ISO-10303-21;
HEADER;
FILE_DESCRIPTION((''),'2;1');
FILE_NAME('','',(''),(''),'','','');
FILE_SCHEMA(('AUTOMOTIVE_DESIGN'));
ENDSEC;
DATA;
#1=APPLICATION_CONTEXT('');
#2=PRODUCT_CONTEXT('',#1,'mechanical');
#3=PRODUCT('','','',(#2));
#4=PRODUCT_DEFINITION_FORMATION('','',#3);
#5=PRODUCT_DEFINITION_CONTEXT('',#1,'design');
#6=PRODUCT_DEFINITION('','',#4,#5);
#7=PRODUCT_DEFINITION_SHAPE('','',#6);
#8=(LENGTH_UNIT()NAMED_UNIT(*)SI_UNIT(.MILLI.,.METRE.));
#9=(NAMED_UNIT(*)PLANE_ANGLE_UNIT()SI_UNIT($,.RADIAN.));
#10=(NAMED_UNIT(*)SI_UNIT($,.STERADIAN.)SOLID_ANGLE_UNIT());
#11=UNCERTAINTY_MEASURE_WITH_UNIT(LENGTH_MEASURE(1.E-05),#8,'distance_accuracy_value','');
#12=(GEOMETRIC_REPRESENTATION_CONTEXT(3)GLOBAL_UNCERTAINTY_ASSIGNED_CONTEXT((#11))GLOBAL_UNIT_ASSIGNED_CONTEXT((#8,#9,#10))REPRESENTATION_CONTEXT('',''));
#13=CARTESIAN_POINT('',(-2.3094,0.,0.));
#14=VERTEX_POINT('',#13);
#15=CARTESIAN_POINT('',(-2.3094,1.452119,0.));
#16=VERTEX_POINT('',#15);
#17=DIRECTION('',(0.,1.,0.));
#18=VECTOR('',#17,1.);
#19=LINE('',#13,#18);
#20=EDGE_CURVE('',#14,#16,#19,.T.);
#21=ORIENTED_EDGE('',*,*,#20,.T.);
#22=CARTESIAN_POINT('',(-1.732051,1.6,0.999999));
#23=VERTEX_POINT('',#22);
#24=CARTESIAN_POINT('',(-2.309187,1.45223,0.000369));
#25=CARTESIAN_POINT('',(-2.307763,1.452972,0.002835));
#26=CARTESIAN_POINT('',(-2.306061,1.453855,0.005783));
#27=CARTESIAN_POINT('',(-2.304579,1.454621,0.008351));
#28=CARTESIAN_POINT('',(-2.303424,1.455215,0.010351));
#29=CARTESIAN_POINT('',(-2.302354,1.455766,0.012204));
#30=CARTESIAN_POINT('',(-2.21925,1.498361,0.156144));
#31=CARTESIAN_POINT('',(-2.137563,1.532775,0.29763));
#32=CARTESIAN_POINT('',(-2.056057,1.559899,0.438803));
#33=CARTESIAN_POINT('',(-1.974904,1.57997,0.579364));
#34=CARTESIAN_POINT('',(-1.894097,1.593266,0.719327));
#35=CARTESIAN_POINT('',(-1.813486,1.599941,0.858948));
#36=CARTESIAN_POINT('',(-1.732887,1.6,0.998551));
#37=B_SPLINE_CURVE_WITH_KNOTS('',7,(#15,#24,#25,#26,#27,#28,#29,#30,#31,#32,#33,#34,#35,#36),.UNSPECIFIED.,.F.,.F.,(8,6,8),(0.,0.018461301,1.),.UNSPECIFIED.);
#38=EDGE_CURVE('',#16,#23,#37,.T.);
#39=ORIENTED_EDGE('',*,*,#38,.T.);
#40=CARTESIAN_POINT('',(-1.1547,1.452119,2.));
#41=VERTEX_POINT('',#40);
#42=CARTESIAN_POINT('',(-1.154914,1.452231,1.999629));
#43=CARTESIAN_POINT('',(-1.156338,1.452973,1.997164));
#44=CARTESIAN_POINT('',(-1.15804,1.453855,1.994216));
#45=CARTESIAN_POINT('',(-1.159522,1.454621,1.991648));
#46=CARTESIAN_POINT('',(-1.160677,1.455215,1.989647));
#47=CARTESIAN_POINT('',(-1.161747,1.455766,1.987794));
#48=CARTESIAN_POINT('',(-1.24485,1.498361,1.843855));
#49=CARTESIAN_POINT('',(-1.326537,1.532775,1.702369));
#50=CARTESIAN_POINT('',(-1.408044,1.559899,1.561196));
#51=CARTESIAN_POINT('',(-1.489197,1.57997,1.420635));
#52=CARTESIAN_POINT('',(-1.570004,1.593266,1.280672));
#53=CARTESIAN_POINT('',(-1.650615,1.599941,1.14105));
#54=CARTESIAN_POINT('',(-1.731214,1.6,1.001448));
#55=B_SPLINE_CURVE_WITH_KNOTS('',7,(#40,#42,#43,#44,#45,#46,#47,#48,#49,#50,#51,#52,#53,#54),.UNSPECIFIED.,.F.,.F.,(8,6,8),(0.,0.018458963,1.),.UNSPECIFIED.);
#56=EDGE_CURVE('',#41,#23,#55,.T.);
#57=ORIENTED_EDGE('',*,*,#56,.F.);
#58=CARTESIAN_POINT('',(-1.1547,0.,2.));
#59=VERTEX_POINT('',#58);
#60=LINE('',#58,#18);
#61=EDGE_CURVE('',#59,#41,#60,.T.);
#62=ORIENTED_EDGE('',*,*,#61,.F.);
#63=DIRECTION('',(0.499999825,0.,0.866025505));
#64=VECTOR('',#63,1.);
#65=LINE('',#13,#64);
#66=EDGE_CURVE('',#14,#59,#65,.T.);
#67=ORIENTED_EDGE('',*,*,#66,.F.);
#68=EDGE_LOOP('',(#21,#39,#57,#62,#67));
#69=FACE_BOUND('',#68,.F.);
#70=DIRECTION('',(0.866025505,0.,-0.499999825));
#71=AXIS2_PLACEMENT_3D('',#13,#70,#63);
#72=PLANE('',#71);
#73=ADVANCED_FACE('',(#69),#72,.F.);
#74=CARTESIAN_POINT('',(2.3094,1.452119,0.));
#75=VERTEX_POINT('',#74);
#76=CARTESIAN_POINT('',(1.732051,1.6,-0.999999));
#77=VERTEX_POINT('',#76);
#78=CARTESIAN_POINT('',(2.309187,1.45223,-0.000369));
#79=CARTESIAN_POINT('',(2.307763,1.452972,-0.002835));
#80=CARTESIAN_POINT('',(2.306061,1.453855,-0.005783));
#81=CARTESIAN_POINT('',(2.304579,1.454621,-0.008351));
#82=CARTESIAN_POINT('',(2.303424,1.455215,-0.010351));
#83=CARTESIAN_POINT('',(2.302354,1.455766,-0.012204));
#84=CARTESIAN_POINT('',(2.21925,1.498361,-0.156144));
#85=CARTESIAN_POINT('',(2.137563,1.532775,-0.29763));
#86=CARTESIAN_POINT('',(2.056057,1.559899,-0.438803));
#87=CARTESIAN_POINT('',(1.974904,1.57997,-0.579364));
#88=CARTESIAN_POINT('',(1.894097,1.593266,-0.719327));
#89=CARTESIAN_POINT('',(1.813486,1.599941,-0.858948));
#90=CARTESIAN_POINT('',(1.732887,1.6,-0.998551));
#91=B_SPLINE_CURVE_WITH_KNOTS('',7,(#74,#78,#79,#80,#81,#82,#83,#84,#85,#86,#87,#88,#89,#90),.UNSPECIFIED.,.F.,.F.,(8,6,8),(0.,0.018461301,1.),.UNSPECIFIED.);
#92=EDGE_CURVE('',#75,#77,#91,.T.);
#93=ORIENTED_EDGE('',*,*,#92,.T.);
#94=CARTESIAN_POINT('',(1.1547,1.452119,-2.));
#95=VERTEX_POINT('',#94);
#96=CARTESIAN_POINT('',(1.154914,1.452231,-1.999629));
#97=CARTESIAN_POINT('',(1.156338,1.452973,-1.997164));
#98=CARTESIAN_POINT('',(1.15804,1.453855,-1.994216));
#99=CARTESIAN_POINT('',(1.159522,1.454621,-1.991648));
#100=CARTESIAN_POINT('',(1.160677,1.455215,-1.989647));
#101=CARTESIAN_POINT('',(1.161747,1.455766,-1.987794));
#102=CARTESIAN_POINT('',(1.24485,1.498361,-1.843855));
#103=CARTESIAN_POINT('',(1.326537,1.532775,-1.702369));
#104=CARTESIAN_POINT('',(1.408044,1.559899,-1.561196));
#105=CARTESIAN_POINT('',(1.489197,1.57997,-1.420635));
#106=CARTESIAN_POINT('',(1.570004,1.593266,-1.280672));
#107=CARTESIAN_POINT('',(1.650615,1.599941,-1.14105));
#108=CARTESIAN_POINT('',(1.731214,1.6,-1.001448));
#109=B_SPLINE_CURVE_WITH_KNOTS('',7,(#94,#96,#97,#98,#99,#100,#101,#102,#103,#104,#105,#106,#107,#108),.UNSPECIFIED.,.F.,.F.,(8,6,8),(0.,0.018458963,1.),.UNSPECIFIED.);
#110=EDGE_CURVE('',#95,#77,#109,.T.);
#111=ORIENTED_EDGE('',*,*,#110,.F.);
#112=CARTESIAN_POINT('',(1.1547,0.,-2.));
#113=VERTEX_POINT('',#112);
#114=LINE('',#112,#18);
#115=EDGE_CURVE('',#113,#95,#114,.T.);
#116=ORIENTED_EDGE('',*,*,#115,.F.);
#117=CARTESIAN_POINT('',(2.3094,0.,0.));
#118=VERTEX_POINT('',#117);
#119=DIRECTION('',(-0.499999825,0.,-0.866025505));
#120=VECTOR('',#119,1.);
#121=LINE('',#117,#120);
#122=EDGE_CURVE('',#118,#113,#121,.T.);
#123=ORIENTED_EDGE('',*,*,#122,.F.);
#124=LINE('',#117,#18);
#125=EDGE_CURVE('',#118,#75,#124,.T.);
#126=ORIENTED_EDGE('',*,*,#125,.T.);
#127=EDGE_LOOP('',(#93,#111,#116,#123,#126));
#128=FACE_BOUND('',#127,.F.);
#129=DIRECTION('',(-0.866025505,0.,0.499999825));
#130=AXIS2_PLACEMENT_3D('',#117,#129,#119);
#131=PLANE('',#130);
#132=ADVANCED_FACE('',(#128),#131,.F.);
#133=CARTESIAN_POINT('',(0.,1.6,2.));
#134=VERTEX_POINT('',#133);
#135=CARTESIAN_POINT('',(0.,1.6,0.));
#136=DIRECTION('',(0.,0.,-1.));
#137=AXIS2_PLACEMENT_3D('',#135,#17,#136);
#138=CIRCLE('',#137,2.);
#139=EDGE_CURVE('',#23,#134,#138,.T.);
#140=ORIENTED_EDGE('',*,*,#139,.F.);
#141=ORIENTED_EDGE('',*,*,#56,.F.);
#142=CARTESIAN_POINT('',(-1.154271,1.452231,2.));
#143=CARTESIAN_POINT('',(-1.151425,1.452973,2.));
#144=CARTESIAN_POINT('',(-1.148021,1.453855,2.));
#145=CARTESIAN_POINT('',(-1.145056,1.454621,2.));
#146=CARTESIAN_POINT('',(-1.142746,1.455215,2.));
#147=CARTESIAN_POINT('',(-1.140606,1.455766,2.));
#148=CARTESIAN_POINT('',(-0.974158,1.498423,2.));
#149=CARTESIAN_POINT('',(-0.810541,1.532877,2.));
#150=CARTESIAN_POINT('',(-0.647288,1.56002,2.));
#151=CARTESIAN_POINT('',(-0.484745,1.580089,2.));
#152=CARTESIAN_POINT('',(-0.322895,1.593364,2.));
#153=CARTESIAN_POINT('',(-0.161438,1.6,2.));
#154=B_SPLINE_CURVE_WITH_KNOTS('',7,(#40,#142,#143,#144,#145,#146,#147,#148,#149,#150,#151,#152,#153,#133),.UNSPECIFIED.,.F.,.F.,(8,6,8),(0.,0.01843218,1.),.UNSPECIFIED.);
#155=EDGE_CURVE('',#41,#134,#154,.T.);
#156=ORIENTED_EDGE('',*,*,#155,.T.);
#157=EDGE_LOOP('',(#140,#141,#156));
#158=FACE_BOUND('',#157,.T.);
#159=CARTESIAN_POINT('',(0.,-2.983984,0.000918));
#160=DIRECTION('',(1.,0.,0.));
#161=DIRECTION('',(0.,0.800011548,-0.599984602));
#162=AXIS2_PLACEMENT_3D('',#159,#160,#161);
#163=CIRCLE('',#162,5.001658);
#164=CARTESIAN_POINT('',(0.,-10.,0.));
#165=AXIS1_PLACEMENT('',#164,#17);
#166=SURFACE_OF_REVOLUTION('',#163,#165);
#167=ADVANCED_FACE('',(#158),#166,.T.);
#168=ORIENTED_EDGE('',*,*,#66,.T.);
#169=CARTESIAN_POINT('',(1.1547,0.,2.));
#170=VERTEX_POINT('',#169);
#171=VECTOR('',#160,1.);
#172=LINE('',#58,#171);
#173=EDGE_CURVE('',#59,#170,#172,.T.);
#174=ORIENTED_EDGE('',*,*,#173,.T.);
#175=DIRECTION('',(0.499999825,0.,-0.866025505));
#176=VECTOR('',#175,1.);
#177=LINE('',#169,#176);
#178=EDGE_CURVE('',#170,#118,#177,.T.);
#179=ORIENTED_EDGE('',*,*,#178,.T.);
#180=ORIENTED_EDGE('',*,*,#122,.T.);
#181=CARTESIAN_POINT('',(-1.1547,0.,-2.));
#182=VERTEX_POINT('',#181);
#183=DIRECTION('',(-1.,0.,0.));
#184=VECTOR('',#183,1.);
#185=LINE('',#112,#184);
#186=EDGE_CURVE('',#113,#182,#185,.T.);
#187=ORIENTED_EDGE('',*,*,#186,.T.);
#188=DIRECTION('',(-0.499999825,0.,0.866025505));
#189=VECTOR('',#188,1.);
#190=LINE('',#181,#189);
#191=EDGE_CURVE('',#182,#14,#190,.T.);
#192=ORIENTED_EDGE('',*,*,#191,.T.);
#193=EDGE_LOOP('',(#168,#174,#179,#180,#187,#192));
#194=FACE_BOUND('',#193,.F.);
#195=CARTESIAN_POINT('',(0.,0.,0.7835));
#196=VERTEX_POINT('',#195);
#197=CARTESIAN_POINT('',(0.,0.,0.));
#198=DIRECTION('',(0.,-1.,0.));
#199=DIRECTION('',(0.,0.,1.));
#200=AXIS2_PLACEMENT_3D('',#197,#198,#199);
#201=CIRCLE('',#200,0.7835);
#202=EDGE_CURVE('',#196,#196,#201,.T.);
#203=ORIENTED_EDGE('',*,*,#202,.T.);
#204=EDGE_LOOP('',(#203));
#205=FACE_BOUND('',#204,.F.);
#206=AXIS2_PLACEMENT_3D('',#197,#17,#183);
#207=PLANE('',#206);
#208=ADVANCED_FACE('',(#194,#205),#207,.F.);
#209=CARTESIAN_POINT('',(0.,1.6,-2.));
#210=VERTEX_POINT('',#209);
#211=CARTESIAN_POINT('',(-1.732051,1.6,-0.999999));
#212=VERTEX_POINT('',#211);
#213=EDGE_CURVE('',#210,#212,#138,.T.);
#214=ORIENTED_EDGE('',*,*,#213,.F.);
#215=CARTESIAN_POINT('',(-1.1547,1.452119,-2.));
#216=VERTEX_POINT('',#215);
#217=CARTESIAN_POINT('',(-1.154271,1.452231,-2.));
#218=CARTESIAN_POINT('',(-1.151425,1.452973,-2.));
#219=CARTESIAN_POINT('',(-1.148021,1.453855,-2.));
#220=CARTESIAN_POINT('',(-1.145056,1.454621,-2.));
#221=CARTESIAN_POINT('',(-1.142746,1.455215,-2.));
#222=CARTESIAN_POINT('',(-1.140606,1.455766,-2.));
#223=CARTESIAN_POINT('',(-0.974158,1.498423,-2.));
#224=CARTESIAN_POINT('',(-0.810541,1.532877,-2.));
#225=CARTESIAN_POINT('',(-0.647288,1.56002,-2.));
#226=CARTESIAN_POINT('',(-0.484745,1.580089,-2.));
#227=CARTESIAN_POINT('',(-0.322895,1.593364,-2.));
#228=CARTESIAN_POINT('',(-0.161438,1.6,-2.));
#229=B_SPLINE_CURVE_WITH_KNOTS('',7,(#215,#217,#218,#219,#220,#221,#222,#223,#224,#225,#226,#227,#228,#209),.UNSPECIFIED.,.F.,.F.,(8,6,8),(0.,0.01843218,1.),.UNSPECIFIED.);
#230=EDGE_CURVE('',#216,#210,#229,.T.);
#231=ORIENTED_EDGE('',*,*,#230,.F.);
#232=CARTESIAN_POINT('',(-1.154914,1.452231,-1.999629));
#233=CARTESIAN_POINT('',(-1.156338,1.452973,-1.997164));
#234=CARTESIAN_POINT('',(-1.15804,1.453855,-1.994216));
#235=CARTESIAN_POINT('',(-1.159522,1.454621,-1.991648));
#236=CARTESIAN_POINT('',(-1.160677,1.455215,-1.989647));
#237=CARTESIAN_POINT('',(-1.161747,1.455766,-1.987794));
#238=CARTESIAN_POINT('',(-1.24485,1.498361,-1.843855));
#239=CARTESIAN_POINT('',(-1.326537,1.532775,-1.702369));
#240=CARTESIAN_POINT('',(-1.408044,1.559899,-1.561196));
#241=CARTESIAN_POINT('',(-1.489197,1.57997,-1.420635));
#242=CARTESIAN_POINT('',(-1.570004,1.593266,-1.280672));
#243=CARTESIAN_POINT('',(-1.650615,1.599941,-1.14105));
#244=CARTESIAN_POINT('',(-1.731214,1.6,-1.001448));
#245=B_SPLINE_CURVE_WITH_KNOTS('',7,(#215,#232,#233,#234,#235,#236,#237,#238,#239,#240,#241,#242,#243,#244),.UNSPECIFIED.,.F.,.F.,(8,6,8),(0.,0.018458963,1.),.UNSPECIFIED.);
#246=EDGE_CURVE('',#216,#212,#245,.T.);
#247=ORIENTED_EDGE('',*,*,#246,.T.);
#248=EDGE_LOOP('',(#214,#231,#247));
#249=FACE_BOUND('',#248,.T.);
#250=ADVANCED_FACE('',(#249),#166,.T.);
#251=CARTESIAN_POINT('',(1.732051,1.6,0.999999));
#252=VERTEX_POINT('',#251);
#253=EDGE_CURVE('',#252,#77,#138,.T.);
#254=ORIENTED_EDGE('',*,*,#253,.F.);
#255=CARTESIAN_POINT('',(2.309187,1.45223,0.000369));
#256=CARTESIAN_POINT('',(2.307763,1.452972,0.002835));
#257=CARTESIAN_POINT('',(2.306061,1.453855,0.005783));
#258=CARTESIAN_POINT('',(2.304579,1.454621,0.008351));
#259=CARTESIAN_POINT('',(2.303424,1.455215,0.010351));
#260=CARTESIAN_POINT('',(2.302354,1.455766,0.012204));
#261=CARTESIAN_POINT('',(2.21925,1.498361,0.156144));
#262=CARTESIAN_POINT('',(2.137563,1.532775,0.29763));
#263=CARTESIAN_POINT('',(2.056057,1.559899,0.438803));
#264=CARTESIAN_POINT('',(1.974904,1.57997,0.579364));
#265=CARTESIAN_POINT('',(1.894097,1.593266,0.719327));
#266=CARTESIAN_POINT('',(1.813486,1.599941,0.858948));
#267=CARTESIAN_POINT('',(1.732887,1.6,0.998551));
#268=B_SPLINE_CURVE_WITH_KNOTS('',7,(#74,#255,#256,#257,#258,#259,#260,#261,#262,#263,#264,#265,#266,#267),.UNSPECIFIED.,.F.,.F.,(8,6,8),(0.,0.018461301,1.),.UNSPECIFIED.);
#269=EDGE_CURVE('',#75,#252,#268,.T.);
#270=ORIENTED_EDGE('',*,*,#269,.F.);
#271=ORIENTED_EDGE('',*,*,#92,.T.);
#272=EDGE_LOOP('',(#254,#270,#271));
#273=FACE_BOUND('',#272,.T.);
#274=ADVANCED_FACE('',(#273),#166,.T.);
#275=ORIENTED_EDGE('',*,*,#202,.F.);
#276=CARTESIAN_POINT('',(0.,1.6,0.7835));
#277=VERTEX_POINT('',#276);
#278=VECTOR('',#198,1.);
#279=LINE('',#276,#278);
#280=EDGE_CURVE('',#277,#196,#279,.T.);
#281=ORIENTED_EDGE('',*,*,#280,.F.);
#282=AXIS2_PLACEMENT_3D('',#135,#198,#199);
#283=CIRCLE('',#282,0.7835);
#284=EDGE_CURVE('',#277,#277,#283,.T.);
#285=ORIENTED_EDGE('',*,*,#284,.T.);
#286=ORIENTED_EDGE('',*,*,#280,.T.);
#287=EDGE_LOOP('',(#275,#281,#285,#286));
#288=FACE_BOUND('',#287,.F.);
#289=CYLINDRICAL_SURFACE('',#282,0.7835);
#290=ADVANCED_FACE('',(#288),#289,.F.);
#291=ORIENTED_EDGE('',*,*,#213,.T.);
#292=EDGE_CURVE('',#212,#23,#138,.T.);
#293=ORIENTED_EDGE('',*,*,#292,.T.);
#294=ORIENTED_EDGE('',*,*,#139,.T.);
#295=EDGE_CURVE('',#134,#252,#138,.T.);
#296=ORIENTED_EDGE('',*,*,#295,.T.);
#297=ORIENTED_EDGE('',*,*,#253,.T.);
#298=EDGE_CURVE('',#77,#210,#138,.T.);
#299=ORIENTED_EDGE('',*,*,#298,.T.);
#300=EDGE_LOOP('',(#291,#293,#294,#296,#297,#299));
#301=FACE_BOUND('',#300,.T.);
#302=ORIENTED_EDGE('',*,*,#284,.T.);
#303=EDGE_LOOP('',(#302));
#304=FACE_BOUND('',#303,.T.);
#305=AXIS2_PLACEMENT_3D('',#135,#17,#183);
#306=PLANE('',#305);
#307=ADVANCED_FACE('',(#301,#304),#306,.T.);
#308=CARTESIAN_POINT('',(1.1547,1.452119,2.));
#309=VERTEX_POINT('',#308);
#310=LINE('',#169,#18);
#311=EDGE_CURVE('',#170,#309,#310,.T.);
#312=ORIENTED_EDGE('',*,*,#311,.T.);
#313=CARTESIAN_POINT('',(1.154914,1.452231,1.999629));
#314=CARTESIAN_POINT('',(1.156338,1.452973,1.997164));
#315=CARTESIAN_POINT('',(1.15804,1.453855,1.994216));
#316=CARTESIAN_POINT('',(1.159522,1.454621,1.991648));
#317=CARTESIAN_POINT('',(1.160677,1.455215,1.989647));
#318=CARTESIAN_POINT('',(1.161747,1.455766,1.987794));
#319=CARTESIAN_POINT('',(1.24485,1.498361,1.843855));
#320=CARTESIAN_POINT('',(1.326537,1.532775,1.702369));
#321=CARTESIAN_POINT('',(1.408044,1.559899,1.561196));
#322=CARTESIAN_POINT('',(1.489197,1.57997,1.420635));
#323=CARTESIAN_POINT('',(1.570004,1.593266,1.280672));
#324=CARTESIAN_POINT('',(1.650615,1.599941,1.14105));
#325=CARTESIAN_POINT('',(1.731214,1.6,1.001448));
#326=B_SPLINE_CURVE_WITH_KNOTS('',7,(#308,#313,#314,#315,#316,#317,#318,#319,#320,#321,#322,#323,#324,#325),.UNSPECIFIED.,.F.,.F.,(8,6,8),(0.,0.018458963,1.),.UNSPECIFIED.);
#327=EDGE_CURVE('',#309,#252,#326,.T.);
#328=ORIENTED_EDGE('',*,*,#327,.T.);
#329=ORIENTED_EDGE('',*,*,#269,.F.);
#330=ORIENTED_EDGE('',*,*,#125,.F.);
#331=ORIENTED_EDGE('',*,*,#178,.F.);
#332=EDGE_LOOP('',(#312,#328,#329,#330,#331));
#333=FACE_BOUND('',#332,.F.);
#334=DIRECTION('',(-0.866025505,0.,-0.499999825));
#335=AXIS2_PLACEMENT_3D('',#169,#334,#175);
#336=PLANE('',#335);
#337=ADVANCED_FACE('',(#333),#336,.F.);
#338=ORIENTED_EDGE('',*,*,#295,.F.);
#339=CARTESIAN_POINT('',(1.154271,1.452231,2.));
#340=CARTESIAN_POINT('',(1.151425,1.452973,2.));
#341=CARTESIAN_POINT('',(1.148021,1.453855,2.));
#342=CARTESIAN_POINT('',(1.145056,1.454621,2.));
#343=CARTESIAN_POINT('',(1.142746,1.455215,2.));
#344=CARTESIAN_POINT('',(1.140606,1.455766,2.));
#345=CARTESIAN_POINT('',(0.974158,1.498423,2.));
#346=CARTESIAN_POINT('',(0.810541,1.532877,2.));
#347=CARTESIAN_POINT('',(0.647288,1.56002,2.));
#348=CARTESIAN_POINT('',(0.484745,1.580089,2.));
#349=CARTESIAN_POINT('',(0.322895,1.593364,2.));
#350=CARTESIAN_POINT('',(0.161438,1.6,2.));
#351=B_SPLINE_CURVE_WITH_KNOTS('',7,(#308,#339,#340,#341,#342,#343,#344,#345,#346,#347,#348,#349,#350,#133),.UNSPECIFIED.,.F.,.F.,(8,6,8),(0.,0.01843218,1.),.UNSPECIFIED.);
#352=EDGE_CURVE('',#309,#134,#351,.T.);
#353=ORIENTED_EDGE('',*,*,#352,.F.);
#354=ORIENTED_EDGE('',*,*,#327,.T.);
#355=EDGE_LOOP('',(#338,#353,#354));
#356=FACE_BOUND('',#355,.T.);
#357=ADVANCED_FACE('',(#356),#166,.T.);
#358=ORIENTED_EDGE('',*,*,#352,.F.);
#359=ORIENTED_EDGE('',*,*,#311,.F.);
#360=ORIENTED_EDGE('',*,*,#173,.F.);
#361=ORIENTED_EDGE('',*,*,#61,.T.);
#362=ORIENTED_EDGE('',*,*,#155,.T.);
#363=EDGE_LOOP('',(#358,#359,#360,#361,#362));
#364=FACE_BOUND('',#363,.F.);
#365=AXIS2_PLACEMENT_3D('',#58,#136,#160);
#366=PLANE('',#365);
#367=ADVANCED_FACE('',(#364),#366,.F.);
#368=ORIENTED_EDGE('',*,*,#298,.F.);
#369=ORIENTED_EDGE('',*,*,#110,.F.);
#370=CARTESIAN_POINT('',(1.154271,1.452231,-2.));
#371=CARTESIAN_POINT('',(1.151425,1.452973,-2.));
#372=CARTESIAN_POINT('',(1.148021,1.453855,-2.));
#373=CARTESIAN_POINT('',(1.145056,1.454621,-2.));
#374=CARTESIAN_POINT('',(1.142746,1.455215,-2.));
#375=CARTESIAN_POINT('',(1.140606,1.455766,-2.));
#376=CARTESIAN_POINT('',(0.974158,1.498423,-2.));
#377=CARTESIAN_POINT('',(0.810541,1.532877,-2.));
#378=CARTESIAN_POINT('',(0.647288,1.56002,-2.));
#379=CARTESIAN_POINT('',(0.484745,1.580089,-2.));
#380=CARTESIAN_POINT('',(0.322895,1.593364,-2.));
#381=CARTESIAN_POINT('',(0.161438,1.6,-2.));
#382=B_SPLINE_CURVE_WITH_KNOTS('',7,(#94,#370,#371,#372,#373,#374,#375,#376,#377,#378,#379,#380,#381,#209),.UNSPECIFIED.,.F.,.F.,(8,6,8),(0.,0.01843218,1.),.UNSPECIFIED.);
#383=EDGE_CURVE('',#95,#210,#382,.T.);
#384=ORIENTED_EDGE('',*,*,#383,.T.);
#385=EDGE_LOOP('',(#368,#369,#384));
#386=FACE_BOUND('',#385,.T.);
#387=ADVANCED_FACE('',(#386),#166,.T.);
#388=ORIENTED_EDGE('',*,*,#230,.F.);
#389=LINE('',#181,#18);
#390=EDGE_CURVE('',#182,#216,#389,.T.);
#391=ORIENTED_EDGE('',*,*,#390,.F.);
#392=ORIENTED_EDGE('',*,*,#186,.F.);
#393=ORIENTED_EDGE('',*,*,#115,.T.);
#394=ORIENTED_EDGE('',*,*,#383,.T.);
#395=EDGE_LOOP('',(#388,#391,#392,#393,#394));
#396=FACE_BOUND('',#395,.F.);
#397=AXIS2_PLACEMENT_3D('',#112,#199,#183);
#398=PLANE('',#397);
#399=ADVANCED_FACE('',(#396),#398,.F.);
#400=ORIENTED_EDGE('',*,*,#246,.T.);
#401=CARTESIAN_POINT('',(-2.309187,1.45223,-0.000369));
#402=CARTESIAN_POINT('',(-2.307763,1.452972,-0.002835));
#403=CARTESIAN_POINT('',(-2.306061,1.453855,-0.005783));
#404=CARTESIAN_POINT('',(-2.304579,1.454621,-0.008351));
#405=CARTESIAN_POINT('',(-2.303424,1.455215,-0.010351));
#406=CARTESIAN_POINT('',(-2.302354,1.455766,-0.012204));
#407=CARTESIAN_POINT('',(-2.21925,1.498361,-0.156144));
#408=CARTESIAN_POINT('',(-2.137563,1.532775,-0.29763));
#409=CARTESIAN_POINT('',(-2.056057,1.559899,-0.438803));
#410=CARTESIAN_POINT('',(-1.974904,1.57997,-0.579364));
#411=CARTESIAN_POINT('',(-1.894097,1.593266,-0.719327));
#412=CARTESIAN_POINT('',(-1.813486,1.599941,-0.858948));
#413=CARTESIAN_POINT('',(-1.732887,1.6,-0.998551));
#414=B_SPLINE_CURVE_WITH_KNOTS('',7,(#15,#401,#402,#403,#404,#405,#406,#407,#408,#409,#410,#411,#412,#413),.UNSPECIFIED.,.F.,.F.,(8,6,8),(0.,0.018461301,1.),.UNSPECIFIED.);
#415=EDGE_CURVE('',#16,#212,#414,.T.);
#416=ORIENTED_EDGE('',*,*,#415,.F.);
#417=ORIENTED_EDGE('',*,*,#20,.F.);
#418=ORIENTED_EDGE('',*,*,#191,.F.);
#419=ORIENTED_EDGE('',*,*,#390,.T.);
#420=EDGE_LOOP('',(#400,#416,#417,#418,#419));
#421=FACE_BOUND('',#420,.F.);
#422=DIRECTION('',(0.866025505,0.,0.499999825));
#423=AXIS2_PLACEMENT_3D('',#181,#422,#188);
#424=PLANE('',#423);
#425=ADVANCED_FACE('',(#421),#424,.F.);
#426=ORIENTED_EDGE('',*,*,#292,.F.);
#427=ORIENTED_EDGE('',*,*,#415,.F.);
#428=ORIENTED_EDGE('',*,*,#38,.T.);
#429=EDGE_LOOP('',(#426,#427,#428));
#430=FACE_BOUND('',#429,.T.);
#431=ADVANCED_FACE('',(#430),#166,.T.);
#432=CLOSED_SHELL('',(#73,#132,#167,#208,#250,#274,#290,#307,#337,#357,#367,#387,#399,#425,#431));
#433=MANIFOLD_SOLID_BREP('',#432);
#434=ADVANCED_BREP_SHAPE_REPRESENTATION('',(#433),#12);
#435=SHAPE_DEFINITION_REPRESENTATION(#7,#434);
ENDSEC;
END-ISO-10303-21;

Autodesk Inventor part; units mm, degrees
ref_plane "YZ Plane" through (0, 0, 0) normal (1, 0, 0) x (0, 1, 0)
ref_plane "XZ Plane" through (0, 0, 0) normal (0, 1, 0) x (-1, 0, 0)
ref_plane "XY Plane" through (0, 0, 0) normal (0, 0, 1) x (1, 0, 0)
sketch "スケッチ1" plane through (0, 0, 0) normal (0, 1, 0) x (-1, 0, 0)
  circle A0 centre (0, 0) radius 2.3094 construction
  line L0 (2.3094, 0) -> (1.1547, 2)
  line L1 (1.1547, 2) -> (-1.1547, 2)
  line L2 (-1.1547, 2) -> (-2.3094, 0)
  line L3 (-2.3094, 0) -> (-1.1547, -2)
  line L4 (-1.1547, -2) -> (1.1547, -2)
  line L5 (1.1547, -2) -> (2.3094, 0)
  dimension "d0" = 4
extrude "押し出し1" add sketch "スケッチ1" along normal blind 1.6
sketch "スケッチ2" plane through (0, 1.6, 0) normal (0, 1, 0) x (1, 0, 0)
  point P0 (0, 0)
  point P1 (0, 0)
hole "穴1" at (0, 1.6, 0) direction (0, -1, 0) diameter 1.567 end through all thread size "M2x0.4" class "6H" standard "ISO Metric profile"
sketch "スケッチ3" plane through (0, 0, 0) normal (1, 0, 0) x (0, 1, 0)
  arc A0 (1.0174, -3) -> (1.6, -2) centre (-2.9826, 0) ccw
  line L0 (0, -2) -> (1.6, -2) construction
  line L1 (1.6, -3) -> (1.0174, -3)
  line L2 (1.6, 0.7835) -> (1.6, -0.7835) construction
  line L3 (1.6, -2) -> (1.6, -3)
  line L4 (-3.9049, 0) -> (2.5514, 0) projected
  point P0 (0, 0)
  point P1 (1.6, 0)
  dimension "d10" = 2
  dimension "d11" = 5
  dimension "d12" = 1
revolve "回転1" cut sketch "スケッチ3" angle 360 about axis through (0, -10, 0) along (0, 1, 0)
properties part number "M3-HexaNut-type2"
